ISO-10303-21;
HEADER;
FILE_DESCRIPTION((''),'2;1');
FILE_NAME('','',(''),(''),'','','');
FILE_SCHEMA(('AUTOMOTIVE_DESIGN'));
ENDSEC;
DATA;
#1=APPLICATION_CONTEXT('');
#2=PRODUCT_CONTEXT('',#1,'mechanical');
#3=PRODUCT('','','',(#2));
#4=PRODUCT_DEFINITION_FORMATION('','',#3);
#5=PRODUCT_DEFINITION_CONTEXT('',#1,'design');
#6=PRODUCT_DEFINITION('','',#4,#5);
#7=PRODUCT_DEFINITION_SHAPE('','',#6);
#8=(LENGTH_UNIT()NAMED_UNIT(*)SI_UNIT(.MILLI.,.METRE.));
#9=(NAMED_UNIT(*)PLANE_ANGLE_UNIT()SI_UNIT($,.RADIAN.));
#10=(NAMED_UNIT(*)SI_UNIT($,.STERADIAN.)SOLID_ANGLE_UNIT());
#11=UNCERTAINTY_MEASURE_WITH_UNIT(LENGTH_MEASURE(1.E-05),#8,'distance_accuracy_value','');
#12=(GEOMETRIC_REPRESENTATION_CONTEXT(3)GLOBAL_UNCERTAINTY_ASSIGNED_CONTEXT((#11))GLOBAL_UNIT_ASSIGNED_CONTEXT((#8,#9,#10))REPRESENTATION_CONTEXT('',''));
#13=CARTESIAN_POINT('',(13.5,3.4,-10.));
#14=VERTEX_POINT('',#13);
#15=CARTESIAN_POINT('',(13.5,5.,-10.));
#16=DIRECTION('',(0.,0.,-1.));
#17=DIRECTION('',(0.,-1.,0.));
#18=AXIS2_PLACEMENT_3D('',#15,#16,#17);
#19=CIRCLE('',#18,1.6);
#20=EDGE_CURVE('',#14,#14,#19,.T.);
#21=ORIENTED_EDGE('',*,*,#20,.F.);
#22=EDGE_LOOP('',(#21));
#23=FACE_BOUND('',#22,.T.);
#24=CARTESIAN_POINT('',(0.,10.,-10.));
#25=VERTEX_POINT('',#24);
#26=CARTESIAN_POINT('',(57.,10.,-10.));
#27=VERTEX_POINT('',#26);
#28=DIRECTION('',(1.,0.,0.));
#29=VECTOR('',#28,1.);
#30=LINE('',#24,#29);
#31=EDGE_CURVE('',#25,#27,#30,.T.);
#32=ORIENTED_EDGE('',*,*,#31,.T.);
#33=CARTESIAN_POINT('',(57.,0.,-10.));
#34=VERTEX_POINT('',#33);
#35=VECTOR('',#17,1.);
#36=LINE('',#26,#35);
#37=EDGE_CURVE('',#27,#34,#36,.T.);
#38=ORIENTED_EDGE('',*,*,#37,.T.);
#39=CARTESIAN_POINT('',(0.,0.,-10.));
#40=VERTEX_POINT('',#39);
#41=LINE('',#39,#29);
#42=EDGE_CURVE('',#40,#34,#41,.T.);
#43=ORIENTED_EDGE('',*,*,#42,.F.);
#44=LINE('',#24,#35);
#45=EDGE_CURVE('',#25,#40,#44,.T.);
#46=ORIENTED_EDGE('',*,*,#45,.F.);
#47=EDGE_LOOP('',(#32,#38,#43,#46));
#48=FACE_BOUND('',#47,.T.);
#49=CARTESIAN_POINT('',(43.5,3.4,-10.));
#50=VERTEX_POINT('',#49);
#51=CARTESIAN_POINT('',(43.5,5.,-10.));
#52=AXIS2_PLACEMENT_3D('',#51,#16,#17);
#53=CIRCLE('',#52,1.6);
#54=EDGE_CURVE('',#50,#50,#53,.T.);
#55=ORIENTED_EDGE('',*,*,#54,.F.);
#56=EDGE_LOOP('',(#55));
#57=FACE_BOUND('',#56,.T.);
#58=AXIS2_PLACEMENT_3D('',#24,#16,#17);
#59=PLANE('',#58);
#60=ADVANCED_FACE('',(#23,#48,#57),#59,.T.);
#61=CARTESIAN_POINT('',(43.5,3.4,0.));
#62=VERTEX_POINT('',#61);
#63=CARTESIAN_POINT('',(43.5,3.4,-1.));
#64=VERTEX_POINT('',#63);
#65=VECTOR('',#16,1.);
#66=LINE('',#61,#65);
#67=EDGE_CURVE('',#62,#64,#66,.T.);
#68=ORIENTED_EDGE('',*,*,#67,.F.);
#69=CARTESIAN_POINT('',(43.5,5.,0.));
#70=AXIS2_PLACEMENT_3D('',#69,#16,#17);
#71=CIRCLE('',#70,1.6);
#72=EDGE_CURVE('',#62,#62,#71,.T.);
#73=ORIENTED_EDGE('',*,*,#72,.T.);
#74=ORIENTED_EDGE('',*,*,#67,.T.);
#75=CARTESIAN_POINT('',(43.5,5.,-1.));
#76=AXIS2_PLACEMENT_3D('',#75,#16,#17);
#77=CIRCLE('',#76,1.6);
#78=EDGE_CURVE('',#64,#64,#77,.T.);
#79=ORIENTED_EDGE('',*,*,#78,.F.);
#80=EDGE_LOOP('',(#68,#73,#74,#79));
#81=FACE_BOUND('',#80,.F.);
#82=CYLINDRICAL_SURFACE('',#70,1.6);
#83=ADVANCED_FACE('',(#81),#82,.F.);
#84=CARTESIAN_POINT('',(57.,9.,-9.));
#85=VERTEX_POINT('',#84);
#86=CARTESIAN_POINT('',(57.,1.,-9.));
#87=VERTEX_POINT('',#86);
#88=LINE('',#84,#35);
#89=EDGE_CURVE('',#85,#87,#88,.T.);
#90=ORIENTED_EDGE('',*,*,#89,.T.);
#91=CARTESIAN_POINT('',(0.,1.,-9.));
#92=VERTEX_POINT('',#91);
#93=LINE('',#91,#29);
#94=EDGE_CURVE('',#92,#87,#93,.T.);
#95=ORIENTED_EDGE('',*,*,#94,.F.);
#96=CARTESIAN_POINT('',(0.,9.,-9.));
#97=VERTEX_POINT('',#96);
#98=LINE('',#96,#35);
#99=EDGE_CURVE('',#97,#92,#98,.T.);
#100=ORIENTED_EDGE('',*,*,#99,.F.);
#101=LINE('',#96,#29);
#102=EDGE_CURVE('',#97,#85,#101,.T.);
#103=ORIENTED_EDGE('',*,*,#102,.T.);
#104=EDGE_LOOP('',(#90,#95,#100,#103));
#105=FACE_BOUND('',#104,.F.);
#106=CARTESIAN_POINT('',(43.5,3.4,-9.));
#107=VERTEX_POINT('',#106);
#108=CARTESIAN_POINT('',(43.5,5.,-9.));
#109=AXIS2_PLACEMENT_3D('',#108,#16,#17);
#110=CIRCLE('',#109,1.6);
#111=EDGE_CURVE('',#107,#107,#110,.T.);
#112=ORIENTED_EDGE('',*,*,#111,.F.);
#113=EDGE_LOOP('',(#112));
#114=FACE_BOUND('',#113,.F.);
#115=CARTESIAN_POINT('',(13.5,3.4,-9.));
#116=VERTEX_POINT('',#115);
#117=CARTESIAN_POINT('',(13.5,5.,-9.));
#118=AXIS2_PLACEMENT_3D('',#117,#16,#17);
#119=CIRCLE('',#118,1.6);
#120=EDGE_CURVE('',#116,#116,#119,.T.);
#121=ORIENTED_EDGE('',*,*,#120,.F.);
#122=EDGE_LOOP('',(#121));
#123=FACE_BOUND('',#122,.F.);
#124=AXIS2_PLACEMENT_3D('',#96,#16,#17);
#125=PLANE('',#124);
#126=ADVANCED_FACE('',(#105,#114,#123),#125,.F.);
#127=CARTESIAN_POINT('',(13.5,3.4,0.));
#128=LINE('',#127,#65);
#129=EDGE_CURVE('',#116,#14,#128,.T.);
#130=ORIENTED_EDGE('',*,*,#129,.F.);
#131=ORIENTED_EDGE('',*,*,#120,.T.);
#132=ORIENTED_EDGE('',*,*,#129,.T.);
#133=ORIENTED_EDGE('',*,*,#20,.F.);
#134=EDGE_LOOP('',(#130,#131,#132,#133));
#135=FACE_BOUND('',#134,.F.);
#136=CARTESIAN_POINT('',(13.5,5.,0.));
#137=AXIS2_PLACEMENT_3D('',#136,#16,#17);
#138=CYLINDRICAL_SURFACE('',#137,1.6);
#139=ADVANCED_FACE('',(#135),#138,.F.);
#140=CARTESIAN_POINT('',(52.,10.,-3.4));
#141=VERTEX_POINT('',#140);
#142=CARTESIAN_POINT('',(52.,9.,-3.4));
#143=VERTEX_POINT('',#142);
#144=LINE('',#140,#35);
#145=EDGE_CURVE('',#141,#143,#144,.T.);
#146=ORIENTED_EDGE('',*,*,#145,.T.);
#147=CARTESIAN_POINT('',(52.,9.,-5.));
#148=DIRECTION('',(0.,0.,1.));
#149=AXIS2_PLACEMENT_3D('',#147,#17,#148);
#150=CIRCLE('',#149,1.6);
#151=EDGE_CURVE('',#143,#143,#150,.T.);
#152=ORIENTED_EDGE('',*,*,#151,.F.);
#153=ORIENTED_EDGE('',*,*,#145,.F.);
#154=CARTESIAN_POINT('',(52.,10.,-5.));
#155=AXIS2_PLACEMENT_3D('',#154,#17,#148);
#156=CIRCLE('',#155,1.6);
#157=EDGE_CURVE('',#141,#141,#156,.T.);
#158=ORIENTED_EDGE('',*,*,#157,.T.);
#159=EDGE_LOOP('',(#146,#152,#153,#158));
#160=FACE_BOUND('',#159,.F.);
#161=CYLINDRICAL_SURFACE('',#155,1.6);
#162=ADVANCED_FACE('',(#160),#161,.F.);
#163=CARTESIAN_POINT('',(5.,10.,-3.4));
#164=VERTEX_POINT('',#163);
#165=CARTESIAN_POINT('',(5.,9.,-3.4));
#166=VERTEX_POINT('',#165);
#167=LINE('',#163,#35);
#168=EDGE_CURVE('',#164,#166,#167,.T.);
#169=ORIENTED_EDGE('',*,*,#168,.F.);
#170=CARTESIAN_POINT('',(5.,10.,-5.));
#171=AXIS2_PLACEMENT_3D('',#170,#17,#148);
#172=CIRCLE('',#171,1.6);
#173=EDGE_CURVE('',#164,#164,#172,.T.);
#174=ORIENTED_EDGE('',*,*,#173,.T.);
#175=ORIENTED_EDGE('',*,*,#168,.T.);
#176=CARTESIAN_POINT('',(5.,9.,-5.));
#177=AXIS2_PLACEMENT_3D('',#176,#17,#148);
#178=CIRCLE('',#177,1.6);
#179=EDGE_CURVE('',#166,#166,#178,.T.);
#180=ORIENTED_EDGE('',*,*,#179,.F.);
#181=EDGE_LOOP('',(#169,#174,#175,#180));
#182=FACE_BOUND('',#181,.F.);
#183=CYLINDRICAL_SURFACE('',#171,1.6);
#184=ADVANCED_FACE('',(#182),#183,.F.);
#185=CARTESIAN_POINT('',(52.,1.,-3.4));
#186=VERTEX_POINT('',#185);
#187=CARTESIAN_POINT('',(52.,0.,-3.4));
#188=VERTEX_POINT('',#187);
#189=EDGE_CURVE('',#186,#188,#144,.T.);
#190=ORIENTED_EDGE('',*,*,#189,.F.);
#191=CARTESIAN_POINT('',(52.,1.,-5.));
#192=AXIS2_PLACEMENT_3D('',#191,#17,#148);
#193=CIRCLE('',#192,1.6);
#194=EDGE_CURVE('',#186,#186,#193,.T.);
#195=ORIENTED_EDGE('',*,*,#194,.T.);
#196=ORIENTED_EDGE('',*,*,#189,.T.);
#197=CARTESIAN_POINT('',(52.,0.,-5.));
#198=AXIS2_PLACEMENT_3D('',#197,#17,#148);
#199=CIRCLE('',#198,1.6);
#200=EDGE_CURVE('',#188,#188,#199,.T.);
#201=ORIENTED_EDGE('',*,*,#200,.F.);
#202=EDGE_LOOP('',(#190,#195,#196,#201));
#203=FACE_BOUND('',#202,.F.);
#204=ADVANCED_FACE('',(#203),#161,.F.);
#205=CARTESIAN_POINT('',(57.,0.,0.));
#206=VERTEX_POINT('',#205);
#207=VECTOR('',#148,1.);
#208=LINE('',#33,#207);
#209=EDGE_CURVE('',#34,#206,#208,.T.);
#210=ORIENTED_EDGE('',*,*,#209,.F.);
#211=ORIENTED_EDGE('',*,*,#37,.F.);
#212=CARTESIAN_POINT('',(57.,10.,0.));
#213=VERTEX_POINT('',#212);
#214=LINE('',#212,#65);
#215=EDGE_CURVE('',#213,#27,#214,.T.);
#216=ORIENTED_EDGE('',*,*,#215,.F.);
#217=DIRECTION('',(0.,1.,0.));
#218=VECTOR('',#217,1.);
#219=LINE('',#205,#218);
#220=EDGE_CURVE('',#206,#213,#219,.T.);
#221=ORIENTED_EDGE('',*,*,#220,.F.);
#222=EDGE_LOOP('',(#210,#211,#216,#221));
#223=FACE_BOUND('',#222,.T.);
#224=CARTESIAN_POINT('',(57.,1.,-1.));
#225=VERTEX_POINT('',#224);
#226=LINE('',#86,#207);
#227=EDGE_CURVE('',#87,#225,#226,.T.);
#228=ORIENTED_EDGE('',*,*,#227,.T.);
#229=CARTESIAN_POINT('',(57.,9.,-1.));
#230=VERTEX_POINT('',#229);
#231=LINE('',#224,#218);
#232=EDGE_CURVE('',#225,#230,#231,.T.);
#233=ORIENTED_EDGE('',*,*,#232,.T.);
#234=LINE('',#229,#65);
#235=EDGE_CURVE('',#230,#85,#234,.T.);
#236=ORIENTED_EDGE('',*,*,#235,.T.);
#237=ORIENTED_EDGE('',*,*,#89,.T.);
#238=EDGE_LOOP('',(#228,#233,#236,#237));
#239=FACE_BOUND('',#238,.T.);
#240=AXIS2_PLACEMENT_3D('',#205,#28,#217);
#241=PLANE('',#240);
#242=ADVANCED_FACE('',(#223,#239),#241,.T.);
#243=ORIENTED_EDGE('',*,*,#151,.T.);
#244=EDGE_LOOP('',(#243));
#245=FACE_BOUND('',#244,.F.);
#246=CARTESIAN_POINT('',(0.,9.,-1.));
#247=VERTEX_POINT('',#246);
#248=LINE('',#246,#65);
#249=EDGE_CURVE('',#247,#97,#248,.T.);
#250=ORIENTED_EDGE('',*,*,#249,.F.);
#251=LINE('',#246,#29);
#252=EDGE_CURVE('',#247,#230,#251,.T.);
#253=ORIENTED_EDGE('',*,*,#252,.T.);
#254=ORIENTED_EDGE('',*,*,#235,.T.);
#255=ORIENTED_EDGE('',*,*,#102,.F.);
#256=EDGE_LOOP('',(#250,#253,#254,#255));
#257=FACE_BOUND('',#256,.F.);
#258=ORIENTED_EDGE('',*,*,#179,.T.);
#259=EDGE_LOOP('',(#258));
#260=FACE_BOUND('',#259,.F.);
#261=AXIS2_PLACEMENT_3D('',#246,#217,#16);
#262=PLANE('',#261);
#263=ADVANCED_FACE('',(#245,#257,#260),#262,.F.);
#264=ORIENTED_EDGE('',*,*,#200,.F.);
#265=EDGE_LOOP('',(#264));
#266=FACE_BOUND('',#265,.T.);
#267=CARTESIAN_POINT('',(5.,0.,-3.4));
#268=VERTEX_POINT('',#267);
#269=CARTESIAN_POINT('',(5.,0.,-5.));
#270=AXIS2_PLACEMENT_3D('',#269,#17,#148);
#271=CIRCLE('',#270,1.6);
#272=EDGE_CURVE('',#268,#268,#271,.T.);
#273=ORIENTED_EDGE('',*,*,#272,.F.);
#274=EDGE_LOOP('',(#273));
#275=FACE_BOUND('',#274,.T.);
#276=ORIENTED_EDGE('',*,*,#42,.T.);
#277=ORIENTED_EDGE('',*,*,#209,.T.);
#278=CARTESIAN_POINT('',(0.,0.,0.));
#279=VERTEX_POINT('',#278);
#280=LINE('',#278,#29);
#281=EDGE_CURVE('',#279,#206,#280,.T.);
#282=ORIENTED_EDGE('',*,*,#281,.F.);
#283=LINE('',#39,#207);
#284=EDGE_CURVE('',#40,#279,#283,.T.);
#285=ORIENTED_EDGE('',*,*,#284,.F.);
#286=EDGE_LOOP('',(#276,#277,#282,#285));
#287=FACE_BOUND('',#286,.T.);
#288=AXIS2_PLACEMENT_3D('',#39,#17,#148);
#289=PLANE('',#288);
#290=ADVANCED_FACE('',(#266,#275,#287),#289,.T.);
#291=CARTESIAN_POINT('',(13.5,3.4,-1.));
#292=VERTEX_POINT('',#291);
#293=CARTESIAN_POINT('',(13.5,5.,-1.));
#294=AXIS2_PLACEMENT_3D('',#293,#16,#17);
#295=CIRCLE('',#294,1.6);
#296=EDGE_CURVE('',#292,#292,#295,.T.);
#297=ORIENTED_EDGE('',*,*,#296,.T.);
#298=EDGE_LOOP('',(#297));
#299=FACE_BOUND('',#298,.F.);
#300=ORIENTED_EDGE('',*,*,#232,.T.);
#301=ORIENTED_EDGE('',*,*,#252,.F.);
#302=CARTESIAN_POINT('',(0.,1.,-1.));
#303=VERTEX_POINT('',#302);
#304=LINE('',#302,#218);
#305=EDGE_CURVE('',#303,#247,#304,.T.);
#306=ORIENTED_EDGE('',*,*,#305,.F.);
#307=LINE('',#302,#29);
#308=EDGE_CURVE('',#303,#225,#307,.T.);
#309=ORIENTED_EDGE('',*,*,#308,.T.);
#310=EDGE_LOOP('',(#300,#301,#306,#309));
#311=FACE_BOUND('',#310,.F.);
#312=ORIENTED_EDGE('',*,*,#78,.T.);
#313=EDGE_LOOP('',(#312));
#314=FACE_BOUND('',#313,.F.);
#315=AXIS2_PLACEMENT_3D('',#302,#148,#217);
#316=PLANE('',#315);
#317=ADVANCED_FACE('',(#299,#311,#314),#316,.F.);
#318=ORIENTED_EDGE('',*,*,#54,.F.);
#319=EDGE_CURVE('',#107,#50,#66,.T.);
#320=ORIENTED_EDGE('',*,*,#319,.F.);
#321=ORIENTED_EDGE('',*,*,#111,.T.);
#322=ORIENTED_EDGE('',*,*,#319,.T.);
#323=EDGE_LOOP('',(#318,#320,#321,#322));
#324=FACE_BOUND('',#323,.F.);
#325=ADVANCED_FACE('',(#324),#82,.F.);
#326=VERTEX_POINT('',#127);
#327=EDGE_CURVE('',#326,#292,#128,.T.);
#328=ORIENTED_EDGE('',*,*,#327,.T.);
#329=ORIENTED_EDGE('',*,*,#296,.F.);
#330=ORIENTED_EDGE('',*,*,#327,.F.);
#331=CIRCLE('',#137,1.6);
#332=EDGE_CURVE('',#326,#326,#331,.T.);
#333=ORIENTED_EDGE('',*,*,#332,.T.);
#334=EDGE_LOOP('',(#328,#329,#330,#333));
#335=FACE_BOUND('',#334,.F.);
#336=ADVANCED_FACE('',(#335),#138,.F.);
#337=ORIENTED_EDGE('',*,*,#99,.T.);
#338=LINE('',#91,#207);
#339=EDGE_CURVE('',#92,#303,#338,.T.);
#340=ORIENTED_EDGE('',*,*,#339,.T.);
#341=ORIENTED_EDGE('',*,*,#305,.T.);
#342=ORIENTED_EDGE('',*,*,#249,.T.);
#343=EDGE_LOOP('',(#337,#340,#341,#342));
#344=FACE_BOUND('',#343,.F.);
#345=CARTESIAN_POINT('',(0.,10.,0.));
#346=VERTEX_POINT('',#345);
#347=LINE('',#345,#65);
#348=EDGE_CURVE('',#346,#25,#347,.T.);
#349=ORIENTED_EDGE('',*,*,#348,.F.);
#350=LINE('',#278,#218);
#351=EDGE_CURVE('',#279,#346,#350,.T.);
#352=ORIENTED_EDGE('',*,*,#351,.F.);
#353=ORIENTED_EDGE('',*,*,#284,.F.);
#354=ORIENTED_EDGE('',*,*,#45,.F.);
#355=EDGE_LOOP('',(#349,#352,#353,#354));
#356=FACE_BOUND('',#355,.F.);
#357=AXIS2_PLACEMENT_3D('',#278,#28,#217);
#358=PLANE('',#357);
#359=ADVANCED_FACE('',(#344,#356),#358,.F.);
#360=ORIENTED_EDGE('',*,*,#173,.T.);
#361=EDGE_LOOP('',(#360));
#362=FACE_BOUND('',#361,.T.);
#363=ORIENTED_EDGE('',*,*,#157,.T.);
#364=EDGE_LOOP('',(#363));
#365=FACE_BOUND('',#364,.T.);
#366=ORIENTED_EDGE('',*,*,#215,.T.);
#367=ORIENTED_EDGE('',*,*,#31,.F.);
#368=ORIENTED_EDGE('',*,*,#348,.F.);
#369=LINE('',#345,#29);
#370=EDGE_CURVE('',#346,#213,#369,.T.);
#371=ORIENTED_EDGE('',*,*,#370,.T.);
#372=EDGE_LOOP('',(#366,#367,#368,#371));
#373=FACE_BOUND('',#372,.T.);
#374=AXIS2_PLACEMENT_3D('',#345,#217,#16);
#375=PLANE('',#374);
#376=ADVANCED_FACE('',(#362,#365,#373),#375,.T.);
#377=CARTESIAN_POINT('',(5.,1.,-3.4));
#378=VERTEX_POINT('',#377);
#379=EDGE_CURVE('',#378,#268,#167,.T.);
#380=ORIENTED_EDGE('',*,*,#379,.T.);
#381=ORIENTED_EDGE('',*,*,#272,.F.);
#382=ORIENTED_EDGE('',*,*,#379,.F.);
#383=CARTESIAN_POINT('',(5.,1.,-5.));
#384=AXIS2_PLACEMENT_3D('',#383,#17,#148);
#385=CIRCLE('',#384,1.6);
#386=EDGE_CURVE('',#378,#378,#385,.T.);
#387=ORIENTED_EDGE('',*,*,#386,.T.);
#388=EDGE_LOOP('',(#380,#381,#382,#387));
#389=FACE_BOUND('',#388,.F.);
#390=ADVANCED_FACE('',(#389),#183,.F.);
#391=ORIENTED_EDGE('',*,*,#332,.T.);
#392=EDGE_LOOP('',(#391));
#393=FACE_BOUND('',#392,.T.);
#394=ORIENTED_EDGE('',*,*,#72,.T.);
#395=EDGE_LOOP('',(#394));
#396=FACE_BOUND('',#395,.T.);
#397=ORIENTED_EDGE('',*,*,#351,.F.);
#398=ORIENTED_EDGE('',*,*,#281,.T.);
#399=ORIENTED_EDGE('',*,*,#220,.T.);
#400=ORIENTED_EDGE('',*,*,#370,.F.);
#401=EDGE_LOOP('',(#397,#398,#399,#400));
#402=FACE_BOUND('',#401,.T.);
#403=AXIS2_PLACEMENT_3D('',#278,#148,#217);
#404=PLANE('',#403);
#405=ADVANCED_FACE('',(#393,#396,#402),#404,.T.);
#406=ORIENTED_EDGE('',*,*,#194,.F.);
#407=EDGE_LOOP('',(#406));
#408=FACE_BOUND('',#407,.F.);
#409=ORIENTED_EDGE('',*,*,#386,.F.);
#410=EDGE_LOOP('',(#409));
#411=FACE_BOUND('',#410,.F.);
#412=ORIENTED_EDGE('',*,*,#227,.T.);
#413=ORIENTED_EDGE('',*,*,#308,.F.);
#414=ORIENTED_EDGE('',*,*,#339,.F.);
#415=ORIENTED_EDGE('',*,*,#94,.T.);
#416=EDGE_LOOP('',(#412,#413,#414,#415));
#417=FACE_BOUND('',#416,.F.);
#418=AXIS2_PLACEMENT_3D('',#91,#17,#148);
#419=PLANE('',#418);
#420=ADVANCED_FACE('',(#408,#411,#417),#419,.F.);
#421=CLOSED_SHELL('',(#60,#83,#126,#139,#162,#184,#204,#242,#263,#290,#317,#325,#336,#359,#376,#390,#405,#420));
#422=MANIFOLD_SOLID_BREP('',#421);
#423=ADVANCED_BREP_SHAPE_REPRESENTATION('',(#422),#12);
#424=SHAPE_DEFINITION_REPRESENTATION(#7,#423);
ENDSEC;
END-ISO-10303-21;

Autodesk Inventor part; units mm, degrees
ref_plane "YZ Plane" through (0, 0, 0) normal (1, 0, 0) x (0, 1, 0)
ref_plane "XZ Plane" through (0, 0, 0) normal (0, 1, 0) x (-1, 0, 0)
ref_plane "XY Plane" through (0, 0, 0) normal (0, 0, 1) x (1, 0, 0)
sketch "スケッチ1" plane through (0, 0, 0) normal (1, 0, 0) x (0, 1, 0)
  line L0 (0, 0) -> (10, 0)
  line L1 (10, 0) -> (10, -10)
  line L2 (10, -10) -> (0, -10)
  line L3 (0, -10) -> (0, 0)
  line L4 (1, -1) -> (9, -1)
  line L5 (9, -1) -> (9, -9)
  line L6 (9, -9) -> (1, -9)
  line L7 (1, -9) -> (1, -1)
  dimension "d0" = 10
  dimension "d1" = 10
  dimension "d2" = 8
  dimension "d3" = 8
  dimension "d4" = 1
  dimension "d5" = 1
extrude "押し出し1" add sketch "スケッチ1" along normal blind 57
sketch "スケッチ2" plane through (0, 10, 0) normal (0, 1, 0) x (1, 0, 0)
  line L0 (0, 9) -> (0, 1) projected
  line L1 (0, 5) -> (120, 5)
  line L2 (57, 10) -> (57, 0) projected
  point P0 (0, 0)
  point P1 (5, 5)
  point P2 (52, 5)
  dimension "d8" = 5
  dimension "d9" = 5
hole "穴1" at (5, 10, -5) at (52, 10, -5) direction (0, -1, 0) diameter 3.2 end through all
sketch "スケッチ3" plane through (0, 0, 0) normal (0, 0, 1) x (1, 0, 0)
  line L0 (0, 0) -> (0, 10) projected
  line L1 (0, 5) -> (57, 5)
  line L2 (57, 0) -> (57, 10) projected
  point P0 (13.5, 5)
  point P1 (43.5, 5)
  point P2 (28.5, 5)
  dimension "d17" = 15
  dimension "d18" = 15
hole "穴2" at (13.5, 5, 0) at (43.5, 5, 0) direction (0, 0, -1) diameter 3.2 end through all
properties part number "link4_pipe1" material "アルミニウム 6061"
